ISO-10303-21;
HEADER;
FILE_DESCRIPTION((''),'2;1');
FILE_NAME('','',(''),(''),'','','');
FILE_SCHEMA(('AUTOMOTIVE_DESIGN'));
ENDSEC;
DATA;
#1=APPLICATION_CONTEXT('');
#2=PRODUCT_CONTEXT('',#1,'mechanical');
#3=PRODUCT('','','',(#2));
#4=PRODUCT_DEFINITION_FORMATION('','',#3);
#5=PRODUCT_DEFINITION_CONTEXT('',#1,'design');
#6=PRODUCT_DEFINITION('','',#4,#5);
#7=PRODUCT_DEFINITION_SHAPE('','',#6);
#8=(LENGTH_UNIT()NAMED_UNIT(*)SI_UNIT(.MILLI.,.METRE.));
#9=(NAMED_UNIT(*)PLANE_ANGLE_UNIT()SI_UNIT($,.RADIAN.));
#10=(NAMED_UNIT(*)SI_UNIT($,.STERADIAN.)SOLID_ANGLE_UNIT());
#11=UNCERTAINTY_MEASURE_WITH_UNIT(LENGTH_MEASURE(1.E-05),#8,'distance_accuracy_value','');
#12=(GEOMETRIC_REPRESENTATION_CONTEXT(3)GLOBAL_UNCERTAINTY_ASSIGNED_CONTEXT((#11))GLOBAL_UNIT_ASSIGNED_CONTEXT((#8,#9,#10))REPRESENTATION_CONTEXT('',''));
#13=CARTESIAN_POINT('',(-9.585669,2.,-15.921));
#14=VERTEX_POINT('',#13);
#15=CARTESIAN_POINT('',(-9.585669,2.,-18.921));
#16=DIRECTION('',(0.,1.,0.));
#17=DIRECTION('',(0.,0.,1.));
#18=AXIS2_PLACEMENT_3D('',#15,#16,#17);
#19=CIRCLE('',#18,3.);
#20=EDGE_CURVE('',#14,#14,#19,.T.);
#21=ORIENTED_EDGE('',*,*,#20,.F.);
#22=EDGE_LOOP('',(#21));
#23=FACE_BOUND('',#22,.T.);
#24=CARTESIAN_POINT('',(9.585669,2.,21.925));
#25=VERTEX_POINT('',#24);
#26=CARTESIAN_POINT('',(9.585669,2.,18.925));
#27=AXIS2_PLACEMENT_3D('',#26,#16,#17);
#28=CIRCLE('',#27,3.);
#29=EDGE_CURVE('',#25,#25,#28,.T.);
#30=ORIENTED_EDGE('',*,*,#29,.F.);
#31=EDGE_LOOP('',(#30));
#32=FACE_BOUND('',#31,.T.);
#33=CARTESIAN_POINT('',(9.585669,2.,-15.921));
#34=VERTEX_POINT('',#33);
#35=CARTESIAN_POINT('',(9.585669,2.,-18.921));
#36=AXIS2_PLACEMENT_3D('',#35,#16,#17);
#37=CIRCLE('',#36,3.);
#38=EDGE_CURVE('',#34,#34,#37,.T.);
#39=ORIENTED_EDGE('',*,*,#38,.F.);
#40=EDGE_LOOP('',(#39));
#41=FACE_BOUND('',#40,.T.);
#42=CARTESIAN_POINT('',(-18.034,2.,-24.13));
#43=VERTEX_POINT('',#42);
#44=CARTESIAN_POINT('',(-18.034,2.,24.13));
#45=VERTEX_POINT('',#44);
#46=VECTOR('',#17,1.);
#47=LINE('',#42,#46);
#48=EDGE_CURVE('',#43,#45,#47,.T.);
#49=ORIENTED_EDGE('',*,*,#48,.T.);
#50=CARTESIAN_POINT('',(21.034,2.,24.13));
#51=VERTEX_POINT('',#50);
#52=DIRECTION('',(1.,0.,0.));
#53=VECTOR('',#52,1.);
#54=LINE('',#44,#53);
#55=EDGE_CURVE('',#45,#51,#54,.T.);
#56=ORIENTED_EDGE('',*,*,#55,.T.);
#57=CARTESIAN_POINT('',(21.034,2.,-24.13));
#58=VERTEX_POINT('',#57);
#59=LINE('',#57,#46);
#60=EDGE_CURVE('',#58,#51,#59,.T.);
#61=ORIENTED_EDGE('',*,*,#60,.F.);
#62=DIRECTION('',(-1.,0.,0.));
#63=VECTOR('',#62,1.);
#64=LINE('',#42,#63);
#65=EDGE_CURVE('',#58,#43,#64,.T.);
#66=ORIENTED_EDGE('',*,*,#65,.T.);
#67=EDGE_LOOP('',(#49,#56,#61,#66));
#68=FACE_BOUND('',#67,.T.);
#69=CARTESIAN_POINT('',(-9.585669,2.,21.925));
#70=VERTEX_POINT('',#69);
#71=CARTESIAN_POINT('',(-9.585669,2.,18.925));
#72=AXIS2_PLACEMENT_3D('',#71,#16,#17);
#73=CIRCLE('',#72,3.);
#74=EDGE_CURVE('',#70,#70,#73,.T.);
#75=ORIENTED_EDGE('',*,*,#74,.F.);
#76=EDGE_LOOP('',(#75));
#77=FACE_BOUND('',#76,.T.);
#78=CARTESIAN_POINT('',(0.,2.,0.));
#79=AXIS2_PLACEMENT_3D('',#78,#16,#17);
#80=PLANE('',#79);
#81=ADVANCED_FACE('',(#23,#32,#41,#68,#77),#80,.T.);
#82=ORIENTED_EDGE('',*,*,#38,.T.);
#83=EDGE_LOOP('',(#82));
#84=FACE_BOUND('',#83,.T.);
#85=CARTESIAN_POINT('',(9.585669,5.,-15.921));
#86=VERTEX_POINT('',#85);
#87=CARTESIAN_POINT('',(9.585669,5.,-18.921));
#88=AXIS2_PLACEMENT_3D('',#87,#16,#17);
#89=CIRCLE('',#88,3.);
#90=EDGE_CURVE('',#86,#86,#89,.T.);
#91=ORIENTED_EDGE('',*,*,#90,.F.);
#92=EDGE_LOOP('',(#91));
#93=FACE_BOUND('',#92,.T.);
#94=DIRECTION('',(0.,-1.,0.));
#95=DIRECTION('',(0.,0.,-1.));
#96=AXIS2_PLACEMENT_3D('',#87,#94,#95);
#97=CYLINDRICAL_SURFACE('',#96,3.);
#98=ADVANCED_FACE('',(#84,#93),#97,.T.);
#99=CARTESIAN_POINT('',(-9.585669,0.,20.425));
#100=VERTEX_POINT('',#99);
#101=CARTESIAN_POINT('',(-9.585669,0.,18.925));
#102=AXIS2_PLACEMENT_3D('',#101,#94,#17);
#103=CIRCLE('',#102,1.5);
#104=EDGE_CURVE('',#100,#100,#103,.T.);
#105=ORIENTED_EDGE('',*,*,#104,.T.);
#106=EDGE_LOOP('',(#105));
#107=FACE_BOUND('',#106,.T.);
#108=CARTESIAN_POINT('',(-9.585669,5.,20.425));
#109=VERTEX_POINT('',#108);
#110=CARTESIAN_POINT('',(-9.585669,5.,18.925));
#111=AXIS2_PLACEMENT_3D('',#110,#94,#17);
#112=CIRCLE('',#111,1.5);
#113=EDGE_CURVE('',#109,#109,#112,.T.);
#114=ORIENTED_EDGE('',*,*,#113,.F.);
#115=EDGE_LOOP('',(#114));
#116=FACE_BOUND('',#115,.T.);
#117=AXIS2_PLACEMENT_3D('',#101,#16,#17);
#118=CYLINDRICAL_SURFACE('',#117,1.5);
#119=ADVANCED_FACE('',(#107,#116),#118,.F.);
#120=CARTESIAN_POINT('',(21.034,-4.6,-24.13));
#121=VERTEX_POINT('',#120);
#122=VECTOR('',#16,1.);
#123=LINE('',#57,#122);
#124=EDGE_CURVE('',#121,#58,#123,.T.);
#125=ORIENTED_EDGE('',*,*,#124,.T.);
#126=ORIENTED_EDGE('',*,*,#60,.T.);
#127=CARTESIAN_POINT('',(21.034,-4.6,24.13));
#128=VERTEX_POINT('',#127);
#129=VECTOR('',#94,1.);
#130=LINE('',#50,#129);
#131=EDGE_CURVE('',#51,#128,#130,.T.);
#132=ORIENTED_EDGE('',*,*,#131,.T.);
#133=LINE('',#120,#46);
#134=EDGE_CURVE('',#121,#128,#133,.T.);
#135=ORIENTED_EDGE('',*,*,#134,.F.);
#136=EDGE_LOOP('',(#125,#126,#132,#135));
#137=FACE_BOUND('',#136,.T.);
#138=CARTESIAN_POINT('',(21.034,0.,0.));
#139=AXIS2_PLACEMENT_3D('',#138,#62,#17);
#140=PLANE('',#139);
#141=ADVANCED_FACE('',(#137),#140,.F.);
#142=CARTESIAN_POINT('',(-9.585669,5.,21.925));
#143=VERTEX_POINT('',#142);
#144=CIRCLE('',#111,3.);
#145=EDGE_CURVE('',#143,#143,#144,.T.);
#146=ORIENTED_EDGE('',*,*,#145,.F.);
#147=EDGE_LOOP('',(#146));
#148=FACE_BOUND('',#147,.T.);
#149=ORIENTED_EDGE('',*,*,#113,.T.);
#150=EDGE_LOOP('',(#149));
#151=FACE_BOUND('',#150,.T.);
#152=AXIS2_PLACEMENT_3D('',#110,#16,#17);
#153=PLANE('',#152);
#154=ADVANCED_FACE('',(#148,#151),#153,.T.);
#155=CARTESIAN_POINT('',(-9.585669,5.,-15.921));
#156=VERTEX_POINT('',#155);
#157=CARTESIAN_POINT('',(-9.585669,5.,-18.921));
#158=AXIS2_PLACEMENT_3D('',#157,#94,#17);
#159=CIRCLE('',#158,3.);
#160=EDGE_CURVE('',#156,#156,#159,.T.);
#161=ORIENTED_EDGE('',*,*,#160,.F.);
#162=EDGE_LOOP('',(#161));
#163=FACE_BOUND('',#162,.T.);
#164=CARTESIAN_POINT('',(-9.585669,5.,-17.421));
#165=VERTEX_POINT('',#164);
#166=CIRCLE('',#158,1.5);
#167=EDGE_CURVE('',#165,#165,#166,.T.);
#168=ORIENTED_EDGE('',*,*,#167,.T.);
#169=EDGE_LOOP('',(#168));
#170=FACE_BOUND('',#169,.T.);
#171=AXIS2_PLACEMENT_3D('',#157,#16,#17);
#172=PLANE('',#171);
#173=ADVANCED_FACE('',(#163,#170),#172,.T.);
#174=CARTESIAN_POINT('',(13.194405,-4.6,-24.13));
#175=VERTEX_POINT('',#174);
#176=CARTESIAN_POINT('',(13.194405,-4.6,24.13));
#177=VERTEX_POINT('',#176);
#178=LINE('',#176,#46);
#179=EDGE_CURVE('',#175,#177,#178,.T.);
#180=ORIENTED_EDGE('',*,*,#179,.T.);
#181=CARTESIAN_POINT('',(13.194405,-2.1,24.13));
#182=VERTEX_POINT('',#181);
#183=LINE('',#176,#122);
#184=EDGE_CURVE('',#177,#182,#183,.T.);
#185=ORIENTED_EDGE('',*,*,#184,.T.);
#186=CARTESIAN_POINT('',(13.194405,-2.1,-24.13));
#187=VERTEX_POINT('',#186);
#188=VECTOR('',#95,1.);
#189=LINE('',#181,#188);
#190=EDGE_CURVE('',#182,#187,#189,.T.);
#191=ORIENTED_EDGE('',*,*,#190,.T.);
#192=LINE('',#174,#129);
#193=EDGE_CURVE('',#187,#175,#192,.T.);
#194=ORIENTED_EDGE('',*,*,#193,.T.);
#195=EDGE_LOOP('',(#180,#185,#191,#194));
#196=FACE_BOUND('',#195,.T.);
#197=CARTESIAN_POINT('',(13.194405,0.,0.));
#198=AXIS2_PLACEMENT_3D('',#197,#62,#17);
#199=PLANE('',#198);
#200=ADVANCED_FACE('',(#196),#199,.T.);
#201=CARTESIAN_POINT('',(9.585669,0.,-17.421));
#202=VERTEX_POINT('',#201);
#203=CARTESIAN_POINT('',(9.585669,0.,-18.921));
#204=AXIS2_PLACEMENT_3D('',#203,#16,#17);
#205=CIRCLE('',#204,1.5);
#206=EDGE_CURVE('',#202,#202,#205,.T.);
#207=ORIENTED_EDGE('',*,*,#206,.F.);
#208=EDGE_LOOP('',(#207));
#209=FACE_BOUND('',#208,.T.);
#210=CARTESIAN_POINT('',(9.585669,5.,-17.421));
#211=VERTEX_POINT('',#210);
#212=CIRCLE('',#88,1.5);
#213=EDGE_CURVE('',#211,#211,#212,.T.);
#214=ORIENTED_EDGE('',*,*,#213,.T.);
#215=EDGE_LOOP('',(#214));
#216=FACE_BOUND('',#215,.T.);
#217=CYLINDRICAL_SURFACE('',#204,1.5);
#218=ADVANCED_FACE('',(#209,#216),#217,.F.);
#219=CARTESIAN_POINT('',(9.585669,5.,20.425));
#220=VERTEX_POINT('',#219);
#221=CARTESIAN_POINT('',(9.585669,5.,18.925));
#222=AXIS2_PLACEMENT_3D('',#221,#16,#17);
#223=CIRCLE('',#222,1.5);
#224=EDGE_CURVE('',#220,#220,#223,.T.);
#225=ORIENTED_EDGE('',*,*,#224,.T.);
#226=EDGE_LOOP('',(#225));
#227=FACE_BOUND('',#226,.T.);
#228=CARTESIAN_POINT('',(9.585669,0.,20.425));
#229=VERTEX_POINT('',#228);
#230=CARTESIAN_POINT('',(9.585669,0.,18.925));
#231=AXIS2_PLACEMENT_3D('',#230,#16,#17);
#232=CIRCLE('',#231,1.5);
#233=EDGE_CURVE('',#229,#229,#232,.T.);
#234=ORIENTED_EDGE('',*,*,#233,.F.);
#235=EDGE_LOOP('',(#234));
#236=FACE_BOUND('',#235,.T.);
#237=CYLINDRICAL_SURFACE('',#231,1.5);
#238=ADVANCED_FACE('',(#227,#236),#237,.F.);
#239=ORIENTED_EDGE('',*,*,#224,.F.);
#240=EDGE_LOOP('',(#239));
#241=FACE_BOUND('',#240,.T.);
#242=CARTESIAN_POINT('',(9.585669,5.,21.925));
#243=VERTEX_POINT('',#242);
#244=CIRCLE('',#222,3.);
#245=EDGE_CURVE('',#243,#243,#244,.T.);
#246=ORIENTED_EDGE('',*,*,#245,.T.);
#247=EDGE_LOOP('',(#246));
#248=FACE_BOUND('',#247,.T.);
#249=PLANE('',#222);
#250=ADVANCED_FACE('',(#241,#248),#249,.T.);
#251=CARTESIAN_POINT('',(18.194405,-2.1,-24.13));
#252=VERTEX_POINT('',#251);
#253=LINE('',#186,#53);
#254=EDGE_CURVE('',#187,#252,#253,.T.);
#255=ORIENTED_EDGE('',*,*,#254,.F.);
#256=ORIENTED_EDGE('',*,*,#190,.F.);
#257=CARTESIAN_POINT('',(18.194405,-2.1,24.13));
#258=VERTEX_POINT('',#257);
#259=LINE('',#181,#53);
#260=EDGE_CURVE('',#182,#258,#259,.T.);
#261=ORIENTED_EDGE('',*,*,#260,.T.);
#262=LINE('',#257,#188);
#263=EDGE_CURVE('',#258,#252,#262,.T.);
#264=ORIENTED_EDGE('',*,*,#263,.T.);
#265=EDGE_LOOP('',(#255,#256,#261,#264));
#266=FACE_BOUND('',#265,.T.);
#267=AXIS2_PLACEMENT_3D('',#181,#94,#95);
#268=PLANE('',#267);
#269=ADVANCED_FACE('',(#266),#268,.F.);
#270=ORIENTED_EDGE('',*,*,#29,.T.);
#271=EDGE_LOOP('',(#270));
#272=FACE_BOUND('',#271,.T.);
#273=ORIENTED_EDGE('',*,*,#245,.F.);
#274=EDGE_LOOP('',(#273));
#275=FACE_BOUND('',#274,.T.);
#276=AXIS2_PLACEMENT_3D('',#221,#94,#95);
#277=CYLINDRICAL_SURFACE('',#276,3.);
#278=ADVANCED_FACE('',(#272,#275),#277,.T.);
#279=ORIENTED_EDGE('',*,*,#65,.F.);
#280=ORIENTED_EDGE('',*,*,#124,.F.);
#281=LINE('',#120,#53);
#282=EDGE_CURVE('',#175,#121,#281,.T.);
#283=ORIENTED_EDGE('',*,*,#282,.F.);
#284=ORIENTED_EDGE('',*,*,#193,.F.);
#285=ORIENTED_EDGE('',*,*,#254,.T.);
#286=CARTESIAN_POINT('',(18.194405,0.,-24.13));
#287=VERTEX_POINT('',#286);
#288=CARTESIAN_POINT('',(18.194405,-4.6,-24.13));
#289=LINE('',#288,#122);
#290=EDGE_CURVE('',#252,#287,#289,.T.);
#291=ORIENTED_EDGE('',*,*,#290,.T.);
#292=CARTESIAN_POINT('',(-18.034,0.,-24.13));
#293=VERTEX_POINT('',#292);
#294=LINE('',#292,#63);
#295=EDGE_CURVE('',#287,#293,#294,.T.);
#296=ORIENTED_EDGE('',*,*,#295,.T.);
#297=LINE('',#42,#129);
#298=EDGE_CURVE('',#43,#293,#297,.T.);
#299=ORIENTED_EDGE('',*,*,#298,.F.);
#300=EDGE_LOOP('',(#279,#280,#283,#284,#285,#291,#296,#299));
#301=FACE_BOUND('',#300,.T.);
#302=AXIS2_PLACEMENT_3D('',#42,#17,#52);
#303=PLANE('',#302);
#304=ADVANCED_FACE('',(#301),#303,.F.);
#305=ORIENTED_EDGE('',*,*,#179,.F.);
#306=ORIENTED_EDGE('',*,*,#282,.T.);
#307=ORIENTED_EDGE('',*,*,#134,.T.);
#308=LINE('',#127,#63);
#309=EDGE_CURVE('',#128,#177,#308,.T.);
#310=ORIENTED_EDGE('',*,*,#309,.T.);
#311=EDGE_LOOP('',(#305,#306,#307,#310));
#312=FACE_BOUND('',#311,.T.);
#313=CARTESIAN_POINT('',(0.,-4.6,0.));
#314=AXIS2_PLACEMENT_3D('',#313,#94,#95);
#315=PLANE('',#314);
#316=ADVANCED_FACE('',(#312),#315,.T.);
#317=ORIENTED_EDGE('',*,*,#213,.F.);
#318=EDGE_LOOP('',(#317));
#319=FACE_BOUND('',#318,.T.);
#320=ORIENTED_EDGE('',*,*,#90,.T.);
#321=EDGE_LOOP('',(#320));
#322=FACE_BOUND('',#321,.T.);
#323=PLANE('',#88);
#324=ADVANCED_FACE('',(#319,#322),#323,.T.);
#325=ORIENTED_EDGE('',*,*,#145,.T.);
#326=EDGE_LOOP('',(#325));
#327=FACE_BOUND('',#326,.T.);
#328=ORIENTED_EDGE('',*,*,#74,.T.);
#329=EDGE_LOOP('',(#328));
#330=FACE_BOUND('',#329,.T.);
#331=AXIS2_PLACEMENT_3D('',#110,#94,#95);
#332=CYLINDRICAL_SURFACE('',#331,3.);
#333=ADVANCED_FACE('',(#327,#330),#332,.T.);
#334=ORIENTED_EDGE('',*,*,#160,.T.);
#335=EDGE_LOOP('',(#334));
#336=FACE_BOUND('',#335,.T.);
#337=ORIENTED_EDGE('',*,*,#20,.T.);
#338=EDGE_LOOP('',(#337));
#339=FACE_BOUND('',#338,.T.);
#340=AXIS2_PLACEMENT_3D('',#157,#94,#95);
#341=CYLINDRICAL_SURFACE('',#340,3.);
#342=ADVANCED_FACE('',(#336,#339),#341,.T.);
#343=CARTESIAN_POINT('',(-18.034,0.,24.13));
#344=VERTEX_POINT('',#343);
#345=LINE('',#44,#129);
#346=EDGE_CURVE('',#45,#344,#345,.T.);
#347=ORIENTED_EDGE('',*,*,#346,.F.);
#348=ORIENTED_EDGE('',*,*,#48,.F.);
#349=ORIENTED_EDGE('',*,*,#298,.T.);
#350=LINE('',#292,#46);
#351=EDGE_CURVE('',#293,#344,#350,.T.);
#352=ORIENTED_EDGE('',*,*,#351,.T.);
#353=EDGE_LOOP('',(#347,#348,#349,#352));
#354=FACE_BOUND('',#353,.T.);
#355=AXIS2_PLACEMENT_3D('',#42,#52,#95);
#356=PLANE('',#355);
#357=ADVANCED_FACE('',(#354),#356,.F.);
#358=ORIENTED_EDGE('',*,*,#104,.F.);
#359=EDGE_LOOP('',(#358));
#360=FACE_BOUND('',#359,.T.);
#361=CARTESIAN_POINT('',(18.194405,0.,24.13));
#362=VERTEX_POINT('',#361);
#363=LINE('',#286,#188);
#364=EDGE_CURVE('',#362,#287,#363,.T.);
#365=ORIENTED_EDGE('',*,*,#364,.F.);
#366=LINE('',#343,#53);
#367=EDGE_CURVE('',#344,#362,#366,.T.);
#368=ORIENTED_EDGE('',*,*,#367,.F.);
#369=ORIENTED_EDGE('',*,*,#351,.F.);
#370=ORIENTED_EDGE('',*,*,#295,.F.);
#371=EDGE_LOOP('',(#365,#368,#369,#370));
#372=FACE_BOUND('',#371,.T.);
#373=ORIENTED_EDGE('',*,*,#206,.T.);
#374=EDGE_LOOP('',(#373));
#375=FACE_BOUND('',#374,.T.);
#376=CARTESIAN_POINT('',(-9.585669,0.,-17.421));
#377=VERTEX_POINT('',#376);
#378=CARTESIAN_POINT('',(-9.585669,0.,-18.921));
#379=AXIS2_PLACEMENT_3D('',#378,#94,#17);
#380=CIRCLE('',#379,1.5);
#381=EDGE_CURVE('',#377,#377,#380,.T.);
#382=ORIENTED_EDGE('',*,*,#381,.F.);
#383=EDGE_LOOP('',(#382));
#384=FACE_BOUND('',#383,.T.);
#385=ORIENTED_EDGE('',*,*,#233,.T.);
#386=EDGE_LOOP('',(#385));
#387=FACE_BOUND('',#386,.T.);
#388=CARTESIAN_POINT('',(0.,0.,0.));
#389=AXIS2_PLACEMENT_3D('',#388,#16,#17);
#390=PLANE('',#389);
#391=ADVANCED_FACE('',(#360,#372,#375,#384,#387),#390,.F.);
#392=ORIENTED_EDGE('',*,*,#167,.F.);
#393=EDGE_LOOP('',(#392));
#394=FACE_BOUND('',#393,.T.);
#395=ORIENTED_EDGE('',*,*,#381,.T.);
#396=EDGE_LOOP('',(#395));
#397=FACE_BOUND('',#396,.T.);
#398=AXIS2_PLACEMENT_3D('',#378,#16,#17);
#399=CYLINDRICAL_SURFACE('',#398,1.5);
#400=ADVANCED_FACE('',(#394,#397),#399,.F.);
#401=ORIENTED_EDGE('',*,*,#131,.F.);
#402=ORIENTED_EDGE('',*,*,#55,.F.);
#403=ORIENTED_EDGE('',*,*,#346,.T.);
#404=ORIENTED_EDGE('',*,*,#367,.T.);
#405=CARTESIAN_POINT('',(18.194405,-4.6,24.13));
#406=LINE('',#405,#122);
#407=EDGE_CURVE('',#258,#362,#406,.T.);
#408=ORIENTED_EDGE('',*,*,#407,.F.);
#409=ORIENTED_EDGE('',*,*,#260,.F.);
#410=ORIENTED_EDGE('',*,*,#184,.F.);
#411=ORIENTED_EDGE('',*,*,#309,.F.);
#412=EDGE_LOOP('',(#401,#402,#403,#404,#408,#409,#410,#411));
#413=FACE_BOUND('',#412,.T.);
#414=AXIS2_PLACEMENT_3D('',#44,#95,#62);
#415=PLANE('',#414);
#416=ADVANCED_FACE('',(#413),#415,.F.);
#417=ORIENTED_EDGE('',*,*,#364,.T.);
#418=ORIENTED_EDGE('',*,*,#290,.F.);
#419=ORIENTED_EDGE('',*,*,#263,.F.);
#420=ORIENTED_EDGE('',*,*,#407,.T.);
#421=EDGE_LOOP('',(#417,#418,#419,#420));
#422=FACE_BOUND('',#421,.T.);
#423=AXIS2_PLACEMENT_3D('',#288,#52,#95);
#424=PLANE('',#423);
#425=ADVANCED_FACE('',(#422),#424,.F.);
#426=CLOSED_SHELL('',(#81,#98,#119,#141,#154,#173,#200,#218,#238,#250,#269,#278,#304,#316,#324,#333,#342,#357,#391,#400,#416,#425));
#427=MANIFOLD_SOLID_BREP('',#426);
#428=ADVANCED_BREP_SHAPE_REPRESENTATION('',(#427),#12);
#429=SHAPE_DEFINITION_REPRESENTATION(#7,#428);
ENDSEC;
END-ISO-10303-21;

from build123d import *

# Parameters (mm, degrees)
ESQUISSE1_W             = 36.068
ESQUISSE1_H             = 48.26
BOSS_EXTRU_1_DEPTH      = 2
ESQUISSE4_R             = 3
BOSS_EXTRU_2_DEPTH      = 3
ESQUISSE6_R             = 1.5
ENL_V_MAT_EXTRU_1_DEPTH = 31.536569159
ESQUISSE10_W            = 48.26
ESQUISSE10_H            = 2
BOSS_EXTRU_3_DEPTH      = 3
ESQUISSE11_W            = 2.839594579
ESQUISSE11_H            = 48.26
BOSS_EXTRU_4_DEPTH      = 4.6
ESQUISSE12_W            = 48.26
ESQUISSE12_H            = 2.5
BOSS_EXTRU_5_DEPTH      = 5


with BuildPart() as part:
    # Esquisse1 → Boss.-Extru.1 (new body)
    with BuildSketch(Plane(origin=(0, 0, 0), x_dir=(1, 0, 0), z_dir=(0, 1, 0))):
        Rectangle(ESQUISSE1_W, ESQUISSE1_H)
    extrude(amount=BOSS_EXTRU_1_DEPTH)

    # Esquisse4 → Boss.-Extru.2 (add)
    with BuildSketch(Plane(origin=(0, 2, 0), x_dir=(1, 0, 0), z_dir=(0, 1, 0))):
        with Locations(Location((9.585669099, 18.921, 0), (0, 0, 270))):
            Circle(ESQUISSE4_R)
        with Locations(Location((9.585669099, -18.925, 0), (0, 0, 270))):
            Circle(ESQUISSE4_R)
    boss_extru_2 = extrude(amount=BOSS_EXTRU_2_DEPTH)

    # Esquisse6 → Enlèv. mat.-Extru.1 (cut, through all)
    with BuildSketch(Plane(origin=(0, 5, 0), x_dir=(1, 0, 0), z_dir=(0, 1, 0))):
        with Locations(Location((9.585669099, 18.921, 0), (0, 0, 270))):
            Circle(ESQUISSE6_R)
        with Locations(Location((9.585669099, -18.925, 0), (0, 0, 270))):
            Circle(ESQUISSE6_R)
    enl_v_mat_extru_1 = extrude(amount=-ENL_V_MAT_EXTRU_1_DEPTH, mode=Mode.SUBTRACT)

    # Symétrie1: Boss.-Extru.2, Enlèv. mat.-Extru.1 across plane
    add(boss_extru_2.mirror(Plane(origin=(0, 0, 0), x_dir=(0, 0, 1), z_dir=(1, 0, 0))))
    add(enl_v_mat_extru_1.mirror(Plane(origin=(0, 0, 0), x_dir=(0, 0, 1), z_dir=(1, 0, 0))), mode=Mode.SUBTRACT)

    # Esquisse10 → Boss.-Extru.3 (add)
    with BuildSketch(Plane(origin=(18.034, 0, 0), x_dir=(0, 0, -1), z_dir=(1, 0, 0))):
        with Locations((0, 1)):
            Rectangle(ESQUISSE10_W, ESQUISSE10_H)
    extrude(amount=BOSS_EXTRU_3_DEPTH)

    # Esquisse11 → Boss.-Extru.4 (add)
    with BuildSketch(Plane(origin=(0, 0, 0), x_dir=(-1, 0, 0), z_dir=(0, -1, 0))):
        with Locations((-19.614202711, 0)):
            Rectangle(ESQUISSE11_W, ESQUISSE11_H)
    extrude(amount=BOSS_EXTRU_4_DEPTH)

    # Esquisse12 → Boss.-Extru.5 (add)
    with BuildSketch(Plane.ZY.offset(-18.194405421)):
        with Locations((0, -3.35)):
            Rectangle(ESQUISSE12_W, ESQUISSE12_H)
    extrude(amount=BOSS_EXTRU_5_DEPTH)


solid = part.part
